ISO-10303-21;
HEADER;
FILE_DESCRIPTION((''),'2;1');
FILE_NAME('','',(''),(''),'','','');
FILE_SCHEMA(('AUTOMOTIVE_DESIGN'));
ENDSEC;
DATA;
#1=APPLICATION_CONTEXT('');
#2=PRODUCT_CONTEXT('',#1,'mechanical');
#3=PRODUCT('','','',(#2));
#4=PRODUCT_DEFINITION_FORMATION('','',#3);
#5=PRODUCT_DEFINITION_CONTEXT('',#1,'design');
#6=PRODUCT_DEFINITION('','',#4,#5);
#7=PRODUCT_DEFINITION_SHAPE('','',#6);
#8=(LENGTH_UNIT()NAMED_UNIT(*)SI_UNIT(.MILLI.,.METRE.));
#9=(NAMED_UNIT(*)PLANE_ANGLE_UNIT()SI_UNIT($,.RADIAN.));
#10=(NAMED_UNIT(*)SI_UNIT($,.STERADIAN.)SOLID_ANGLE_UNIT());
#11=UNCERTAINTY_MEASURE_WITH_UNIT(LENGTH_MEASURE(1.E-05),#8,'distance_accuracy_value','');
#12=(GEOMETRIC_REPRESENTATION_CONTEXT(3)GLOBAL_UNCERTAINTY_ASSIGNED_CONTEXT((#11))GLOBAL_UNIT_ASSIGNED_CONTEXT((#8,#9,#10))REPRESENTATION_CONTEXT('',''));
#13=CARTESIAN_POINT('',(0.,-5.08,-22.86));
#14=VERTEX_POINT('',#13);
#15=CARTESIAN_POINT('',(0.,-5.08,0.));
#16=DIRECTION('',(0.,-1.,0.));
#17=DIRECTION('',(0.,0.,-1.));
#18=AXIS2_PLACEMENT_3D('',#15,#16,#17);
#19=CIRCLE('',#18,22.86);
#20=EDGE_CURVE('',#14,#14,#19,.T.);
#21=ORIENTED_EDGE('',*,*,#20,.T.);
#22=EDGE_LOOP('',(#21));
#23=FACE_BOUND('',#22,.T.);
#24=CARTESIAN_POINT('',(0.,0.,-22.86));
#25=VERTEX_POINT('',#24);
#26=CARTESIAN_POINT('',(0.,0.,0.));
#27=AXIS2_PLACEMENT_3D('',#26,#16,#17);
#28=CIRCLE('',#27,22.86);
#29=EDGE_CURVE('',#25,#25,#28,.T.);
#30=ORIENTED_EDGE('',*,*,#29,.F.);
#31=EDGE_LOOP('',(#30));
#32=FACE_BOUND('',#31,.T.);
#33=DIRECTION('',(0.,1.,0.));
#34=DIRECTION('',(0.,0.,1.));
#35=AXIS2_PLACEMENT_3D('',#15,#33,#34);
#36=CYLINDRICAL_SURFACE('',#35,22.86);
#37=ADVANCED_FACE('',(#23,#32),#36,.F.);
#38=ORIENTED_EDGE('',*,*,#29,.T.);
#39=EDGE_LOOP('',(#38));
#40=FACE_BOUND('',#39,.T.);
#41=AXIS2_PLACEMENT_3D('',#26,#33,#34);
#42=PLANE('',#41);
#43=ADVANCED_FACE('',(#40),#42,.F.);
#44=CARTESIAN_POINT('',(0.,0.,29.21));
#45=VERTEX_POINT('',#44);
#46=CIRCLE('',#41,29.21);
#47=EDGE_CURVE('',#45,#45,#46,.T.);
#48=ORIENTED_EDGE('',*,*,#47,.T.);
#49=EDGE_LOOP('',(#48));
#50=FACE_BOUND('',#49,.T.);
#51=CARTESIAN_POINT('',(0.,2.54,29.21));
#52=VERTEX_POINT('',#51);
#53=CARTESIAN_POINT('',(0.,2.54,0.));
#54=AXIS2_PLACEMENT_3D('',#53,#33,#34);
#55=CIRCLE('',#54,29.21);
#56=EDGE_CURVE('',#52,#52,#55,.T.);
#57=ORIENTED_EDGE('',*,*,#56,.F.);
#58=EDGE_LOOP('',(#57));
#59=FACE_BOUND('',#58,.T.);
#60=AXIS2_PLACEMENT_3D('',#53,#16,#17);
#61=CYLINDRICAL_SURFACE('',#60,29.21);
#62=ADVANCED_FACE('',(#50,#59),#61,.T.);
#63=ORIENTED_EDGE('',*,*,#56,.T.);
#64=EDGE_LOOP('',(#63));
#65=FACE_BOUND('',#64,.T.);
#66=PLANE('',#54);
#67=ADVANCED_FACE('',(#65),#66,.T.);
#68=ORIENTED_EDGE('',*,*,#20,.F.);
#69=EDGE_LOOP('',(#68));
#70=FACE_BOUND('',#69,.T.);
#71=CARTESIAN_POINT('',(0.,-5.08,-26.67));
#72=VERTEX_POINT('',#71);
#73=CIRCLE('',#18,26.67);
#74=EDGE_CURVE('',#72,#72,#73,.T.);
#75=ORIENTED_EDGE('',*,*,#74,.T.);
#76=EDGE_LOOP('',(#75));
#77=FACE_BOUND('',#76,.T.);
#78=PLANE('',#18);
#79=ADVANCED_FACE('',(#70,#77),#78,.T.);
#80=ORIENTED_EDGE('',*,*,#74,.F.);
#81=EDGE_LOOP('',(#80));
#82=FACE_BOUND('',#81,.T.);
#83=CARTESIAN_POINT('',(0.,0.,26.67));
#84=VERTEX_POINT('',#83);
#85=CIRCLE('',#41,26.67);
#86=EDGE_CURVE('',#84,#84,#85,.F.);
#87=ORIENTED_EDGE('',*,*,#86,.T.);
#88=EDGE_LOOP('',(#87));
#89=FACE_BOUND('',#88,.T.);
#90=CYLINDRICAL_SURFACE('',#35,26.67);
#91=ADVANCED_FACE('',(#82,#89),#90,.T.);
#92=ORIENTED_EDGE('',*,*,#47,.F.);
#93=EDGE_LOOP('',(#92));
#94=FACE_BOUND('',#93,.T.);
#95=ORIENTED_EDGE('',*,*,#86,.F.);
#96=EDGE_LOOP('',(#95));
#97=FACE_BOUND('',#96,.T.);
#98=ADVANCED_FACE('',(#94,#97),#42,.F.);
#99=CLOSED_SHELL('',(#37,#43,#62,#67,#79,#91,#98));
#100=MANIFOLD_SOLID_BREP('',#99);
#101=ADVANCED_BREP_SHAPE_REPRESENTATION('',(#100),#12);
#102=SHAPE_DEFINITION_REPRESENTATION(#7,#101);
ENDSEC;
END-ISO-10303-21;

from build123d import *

# Parameters (mm, degrees)
SKETCH1_R           = 29.21
BOSS_EXTRUDE2_DEPTH = 2.54
SKETCH2_R           = 26.67
SKETCH2_R_2         = 22.86
BOSS_EXTRUDE3_DEPTH = 5.08


with BuildPart() as part:
    # Sketch1 → Boss-Extrude2 (new body)
    with BuildSketch(Plane(origin=(0, 0, 0), x_dir=(1, 0, 0), z_dir=(0, 1, 0))):
        with Locations(Location((0, 0, 0), (0, 0, 270))):
            Circle(SKETCH1_R)
    extrude(amount=BOSS_EXTRUDE2_DEPTH)

    # Sketch2 → Boss-Extrude3 (add)
    with BuildSketch(Plane.XZ):
        with Locations(Location((0, 0, 0), (0, 0, 90))):
            Circle(SKETCH2_R)
        with Locations(Location((0, 0, 0), (0, 0, 270))):
            Circle(SKETCH2_R_2, mode=Mode.SUBTRACT)
    extrude(amount=BOSS_EXTRUDE3_DEPTH)


solid = part.part
